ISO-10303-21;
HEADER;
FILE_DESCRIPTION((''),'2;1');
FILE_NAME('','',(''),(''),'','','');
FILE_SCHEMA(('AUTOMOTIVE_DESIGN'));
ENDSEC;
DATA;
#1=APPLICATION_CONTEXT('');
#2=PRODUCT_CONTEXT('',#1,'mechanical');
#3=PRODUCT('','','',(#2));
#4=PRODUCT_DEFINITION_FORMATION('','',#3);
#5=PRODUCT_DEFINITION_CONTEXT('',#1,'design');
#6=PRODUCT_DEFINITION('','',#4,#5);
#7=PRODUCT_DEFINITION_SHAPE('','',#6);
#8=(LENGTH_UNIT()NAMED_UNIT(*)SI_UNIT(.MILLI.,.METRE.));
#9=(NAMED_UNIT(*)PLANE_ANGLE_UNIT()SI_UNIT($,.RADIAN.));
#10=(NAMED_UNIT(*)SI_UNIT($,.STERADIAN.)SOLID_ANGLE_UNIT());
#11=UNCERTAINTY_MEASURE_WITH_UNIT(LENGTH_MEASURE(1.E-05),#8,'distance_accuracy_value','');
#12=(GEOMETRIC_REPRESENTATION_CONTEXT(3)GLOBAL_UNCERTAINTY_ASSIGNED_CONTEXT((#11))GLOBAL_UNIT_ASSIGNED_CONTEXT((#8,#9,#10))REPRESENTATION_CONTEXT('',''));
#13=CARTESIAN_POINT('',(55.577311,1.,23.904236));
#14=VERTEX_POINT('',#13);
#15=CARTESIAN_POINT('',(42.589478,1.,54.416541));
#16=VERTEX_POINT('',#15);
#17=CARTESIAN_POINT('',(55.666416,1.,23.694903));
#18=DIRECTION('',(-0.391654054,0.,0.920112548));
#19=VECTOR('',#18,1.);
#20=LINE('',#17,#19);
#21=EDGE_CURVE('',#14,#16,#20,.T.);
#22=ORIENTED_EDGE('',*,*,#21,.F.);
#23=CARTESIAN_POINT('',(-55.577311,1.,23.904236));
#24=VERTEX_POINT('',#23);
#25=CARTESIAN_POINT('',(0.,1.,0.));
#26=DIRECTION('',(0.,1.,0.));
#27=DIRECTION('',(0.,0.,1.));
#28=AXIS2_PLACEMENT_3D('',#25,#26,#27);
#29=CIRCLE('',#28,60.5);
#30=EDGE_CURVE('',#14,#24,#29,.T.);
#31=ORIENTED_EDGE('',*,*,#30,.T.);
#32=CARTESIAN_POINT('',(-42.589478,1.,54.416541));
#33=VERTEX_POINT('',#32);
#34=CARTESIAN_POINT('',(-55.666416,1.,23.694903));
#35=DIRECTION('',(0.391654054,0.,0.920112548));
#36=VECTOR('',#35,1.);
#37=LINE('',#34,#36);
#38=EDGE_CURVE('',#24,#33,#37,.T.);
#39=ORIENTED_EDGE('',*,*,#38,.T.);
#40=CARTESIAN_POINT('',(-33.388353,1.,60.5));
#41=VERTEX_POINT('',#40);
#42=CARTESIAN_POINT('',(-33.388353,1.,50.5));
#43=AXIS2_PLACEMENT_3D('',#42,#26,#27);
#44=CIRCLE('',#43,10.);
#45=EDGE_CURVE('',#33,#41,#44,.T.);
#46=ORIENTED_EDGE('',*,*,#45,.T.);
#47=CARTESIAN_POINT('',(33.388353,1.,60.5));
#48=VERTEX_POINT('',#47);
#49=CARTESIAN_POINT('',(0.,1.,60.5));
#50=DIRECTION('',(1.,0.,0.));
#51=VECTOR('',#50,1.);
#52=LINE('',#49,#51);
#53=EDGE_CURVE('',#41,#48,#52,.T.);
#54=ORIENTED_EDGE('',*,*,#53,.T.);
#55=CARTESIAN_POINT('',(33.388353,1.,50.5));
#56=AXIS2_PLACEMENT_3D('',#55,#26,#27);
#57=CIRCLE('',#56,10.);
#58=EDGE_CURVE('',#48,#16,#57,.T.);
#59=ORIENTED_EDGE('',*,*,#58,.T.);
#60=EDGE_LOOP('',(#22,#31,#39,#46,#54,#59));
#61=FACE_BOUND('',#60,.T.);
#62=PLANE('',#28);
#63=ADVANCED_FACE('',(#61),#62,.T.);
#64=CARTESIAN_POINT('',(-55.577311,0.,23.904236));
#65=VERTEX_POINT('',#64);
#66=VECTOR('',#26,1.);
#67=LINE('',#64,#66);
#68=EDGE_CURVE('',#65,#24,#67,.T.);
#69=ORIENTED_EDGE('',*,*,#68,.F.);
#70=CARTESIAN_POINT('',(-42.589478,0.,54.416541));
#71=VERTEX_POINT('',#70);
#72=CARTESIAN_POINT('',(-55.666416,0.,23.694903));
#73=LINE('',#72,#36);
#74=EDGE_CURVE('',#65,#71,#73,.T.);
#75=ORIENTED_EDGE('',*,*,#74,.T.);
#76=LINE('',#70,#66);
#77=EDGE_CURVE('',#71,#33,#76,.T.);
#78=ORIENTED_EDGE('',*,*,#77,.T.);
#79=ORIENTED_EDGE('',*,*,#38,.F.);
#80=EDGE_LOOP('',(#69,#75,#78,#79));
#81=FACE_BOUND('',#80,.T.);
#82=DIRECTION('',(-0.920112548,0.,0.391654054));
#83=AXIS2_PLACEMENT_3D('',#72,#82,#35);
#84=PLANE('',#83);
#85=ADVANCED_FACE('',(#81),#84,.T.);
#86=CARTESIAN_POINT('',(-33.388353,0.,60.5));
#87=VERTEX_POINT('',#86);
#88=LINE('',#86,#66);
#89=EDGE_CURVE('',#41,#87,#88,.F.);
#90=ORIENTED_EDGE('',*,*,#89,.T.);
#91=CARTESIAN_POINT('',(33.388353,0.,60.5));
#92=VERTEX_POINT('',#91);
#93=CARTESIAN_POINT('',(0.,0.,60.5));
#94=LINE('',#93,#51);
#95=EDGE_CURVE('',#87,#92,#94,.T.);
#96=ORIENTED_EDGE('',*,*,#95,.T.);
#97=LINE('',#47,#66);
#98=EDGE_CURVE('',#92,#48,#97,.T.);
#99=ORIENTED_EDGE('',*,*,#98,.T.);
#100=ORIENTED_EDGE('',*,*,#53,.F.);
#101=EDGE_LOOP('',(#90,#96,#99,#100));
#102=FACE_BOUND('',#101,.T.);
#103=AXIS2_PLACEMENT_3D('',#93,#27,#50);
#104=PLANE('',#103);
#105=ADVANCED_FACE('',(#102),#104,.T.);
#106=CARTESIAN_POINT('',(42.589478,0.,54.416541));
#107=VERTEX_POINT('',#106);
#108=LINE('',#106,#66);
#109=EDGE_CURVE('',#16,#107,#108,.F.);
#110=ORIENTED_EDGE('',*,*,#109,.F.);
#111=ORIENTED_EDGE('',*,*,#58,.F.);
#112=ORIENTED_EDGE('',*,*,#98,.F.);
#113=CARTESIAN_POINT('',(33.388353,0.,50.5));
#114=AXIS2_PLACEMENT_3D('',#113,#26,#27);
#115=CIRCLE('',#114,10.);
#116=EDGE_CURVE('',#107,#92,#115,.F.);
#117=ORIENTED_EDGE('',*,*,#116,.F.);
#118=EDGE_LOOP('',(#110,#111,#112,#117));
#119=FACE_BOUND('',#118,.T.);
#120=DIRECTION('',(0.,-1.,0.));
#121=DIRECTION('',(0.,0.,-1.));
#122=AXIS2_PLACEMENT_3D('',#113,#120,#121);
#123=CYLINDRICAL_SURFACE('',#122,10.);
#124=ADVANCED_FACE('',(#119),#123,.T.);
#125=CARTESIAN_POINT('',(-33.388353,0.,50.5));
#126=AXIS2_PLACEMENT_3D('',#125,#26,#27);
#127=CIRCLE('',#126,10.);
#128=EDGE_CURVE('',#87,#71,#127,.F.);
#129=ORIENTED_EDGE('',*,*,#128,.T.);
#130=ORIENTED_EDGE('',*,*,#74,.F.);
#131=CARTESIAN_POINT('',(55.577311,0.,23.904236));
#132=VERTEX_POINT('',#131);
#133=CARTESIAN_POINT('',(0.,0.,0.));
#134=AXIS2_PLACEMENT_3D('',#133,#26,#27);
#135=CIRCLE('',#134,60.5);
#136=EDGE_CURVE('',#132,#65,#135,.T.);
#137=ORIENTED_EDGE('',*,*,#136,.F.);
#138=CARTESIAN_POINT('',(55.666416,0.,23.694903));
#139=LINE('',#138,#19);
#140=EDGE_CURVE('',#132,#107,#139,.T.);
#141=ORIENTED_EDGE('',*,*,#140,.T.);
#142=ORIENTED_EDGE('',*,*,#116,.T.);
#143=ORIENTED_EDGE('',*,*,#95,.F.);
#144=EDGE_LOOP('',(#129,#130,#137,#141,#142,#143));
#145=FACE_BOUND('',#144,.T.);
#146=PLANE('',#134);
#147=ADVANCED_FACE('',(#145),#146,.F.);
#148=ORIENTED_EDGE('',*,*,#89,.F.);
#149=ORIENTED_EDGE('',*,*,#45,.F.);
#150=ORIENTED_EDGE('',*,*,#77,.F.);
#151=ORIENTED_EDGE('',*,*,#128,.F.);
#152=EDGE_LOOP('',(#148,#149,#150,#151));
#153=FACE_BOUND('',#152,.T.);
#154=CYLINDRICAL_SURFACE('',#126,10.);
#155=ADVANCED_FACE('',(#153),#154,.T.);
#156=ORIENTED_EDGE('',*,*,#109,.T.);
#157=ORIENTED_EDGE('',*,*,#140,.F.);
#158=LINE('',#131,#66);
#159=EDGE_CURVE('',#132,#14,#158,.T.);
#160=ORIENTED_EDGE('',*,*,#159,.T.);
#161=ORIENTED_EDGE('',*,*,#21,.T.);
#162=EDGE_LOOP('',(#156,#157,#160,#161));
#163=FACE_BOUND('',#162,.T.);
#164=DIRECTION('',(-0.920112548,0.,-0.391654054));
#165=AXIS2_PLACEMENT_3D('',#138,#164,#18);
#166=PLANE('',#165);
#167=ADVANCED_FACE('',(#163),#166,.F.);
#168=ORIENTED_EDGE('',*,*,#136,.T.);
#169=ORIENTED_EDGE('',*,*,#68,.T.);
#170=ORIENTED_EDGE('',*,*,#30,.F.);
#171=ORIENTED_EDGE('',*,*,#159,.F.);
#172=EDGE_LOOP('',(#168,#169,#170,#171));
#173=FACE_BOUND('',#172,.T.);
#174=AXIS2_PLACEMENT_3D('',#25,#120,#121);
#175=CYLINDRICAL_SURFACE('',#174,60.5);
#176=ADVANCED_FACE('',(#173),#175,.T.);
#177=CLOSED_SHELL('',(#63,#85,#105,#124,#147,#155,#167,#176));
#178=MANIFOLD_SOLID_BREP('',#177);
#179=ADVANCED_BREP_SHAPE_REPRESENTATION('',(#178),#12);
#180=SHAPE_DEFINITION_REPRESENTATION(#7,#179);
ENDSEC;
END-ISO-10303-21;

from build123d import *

# Parameters (mm, degrees)
SKETCH1_R           = 60.5
BOSS_EXTRUDE1_DEPTH = 1
BOSS_EXTRUDE2_START = -1
BOSS_EXTRUDE2_DEPTH = 1
FILLET1_R           = 10


with BuildPart() as part:
    # Sketch1 → Boss-Extrude1 (new body)
    with BuildSketch(Plane(origin=(0, 0, 0), x_dir=(1, 0, 0), z_dir=(0, 1, 0))):
        with Locations(Location((0, 0, 0), (0, 0, 270))):
            Circle(SKETCH1_R)
    extrude(amount=BOSS_EXTRUDE1_DEPTH)

    # Sketch7 → Boss-Extrude2 (add)
    with BuildSketch(Plane(origin=(0, 1, 0), x_dir=(1, 0, 0), z_dir=(0, 1, 0)).offset(BOSS_EXTRUDE2_START)):
        with BuildLine():
            Line((-55.577310907, -23.904236284), (-40, -60.5))
            Line((-40, -60.5), (2.22e-07, -60.5))
            ThreePointArc((2.22e-07, -60.5), (-33.271937819, -50.529478067), (-55.577310907, -23.904236284))
        make_face()
        with BuildLine():
            ThreePointArc((55.577310907, -23.904236284), (33.271938005, -50.529477945), (2.22e-07, -60.5))
            Line((2.22e-07, -60.5), (40, -60.5))
            Line((40, -60.5), (55.577310907, -23.904236284))
        make_face()
    extrude(amount=BOSS_EXTRUDE2_DEPTH)

    # Fillet1
    fillet1_edges = [part.edges().sort_by_distance(p)[0] for p in [
        (40, 0.5, 60.5),
        (-40, 0.5, 60.5),
    ]]
    fillet(fillet1_edges, radius=FILLET1_R)


solid = part.part
